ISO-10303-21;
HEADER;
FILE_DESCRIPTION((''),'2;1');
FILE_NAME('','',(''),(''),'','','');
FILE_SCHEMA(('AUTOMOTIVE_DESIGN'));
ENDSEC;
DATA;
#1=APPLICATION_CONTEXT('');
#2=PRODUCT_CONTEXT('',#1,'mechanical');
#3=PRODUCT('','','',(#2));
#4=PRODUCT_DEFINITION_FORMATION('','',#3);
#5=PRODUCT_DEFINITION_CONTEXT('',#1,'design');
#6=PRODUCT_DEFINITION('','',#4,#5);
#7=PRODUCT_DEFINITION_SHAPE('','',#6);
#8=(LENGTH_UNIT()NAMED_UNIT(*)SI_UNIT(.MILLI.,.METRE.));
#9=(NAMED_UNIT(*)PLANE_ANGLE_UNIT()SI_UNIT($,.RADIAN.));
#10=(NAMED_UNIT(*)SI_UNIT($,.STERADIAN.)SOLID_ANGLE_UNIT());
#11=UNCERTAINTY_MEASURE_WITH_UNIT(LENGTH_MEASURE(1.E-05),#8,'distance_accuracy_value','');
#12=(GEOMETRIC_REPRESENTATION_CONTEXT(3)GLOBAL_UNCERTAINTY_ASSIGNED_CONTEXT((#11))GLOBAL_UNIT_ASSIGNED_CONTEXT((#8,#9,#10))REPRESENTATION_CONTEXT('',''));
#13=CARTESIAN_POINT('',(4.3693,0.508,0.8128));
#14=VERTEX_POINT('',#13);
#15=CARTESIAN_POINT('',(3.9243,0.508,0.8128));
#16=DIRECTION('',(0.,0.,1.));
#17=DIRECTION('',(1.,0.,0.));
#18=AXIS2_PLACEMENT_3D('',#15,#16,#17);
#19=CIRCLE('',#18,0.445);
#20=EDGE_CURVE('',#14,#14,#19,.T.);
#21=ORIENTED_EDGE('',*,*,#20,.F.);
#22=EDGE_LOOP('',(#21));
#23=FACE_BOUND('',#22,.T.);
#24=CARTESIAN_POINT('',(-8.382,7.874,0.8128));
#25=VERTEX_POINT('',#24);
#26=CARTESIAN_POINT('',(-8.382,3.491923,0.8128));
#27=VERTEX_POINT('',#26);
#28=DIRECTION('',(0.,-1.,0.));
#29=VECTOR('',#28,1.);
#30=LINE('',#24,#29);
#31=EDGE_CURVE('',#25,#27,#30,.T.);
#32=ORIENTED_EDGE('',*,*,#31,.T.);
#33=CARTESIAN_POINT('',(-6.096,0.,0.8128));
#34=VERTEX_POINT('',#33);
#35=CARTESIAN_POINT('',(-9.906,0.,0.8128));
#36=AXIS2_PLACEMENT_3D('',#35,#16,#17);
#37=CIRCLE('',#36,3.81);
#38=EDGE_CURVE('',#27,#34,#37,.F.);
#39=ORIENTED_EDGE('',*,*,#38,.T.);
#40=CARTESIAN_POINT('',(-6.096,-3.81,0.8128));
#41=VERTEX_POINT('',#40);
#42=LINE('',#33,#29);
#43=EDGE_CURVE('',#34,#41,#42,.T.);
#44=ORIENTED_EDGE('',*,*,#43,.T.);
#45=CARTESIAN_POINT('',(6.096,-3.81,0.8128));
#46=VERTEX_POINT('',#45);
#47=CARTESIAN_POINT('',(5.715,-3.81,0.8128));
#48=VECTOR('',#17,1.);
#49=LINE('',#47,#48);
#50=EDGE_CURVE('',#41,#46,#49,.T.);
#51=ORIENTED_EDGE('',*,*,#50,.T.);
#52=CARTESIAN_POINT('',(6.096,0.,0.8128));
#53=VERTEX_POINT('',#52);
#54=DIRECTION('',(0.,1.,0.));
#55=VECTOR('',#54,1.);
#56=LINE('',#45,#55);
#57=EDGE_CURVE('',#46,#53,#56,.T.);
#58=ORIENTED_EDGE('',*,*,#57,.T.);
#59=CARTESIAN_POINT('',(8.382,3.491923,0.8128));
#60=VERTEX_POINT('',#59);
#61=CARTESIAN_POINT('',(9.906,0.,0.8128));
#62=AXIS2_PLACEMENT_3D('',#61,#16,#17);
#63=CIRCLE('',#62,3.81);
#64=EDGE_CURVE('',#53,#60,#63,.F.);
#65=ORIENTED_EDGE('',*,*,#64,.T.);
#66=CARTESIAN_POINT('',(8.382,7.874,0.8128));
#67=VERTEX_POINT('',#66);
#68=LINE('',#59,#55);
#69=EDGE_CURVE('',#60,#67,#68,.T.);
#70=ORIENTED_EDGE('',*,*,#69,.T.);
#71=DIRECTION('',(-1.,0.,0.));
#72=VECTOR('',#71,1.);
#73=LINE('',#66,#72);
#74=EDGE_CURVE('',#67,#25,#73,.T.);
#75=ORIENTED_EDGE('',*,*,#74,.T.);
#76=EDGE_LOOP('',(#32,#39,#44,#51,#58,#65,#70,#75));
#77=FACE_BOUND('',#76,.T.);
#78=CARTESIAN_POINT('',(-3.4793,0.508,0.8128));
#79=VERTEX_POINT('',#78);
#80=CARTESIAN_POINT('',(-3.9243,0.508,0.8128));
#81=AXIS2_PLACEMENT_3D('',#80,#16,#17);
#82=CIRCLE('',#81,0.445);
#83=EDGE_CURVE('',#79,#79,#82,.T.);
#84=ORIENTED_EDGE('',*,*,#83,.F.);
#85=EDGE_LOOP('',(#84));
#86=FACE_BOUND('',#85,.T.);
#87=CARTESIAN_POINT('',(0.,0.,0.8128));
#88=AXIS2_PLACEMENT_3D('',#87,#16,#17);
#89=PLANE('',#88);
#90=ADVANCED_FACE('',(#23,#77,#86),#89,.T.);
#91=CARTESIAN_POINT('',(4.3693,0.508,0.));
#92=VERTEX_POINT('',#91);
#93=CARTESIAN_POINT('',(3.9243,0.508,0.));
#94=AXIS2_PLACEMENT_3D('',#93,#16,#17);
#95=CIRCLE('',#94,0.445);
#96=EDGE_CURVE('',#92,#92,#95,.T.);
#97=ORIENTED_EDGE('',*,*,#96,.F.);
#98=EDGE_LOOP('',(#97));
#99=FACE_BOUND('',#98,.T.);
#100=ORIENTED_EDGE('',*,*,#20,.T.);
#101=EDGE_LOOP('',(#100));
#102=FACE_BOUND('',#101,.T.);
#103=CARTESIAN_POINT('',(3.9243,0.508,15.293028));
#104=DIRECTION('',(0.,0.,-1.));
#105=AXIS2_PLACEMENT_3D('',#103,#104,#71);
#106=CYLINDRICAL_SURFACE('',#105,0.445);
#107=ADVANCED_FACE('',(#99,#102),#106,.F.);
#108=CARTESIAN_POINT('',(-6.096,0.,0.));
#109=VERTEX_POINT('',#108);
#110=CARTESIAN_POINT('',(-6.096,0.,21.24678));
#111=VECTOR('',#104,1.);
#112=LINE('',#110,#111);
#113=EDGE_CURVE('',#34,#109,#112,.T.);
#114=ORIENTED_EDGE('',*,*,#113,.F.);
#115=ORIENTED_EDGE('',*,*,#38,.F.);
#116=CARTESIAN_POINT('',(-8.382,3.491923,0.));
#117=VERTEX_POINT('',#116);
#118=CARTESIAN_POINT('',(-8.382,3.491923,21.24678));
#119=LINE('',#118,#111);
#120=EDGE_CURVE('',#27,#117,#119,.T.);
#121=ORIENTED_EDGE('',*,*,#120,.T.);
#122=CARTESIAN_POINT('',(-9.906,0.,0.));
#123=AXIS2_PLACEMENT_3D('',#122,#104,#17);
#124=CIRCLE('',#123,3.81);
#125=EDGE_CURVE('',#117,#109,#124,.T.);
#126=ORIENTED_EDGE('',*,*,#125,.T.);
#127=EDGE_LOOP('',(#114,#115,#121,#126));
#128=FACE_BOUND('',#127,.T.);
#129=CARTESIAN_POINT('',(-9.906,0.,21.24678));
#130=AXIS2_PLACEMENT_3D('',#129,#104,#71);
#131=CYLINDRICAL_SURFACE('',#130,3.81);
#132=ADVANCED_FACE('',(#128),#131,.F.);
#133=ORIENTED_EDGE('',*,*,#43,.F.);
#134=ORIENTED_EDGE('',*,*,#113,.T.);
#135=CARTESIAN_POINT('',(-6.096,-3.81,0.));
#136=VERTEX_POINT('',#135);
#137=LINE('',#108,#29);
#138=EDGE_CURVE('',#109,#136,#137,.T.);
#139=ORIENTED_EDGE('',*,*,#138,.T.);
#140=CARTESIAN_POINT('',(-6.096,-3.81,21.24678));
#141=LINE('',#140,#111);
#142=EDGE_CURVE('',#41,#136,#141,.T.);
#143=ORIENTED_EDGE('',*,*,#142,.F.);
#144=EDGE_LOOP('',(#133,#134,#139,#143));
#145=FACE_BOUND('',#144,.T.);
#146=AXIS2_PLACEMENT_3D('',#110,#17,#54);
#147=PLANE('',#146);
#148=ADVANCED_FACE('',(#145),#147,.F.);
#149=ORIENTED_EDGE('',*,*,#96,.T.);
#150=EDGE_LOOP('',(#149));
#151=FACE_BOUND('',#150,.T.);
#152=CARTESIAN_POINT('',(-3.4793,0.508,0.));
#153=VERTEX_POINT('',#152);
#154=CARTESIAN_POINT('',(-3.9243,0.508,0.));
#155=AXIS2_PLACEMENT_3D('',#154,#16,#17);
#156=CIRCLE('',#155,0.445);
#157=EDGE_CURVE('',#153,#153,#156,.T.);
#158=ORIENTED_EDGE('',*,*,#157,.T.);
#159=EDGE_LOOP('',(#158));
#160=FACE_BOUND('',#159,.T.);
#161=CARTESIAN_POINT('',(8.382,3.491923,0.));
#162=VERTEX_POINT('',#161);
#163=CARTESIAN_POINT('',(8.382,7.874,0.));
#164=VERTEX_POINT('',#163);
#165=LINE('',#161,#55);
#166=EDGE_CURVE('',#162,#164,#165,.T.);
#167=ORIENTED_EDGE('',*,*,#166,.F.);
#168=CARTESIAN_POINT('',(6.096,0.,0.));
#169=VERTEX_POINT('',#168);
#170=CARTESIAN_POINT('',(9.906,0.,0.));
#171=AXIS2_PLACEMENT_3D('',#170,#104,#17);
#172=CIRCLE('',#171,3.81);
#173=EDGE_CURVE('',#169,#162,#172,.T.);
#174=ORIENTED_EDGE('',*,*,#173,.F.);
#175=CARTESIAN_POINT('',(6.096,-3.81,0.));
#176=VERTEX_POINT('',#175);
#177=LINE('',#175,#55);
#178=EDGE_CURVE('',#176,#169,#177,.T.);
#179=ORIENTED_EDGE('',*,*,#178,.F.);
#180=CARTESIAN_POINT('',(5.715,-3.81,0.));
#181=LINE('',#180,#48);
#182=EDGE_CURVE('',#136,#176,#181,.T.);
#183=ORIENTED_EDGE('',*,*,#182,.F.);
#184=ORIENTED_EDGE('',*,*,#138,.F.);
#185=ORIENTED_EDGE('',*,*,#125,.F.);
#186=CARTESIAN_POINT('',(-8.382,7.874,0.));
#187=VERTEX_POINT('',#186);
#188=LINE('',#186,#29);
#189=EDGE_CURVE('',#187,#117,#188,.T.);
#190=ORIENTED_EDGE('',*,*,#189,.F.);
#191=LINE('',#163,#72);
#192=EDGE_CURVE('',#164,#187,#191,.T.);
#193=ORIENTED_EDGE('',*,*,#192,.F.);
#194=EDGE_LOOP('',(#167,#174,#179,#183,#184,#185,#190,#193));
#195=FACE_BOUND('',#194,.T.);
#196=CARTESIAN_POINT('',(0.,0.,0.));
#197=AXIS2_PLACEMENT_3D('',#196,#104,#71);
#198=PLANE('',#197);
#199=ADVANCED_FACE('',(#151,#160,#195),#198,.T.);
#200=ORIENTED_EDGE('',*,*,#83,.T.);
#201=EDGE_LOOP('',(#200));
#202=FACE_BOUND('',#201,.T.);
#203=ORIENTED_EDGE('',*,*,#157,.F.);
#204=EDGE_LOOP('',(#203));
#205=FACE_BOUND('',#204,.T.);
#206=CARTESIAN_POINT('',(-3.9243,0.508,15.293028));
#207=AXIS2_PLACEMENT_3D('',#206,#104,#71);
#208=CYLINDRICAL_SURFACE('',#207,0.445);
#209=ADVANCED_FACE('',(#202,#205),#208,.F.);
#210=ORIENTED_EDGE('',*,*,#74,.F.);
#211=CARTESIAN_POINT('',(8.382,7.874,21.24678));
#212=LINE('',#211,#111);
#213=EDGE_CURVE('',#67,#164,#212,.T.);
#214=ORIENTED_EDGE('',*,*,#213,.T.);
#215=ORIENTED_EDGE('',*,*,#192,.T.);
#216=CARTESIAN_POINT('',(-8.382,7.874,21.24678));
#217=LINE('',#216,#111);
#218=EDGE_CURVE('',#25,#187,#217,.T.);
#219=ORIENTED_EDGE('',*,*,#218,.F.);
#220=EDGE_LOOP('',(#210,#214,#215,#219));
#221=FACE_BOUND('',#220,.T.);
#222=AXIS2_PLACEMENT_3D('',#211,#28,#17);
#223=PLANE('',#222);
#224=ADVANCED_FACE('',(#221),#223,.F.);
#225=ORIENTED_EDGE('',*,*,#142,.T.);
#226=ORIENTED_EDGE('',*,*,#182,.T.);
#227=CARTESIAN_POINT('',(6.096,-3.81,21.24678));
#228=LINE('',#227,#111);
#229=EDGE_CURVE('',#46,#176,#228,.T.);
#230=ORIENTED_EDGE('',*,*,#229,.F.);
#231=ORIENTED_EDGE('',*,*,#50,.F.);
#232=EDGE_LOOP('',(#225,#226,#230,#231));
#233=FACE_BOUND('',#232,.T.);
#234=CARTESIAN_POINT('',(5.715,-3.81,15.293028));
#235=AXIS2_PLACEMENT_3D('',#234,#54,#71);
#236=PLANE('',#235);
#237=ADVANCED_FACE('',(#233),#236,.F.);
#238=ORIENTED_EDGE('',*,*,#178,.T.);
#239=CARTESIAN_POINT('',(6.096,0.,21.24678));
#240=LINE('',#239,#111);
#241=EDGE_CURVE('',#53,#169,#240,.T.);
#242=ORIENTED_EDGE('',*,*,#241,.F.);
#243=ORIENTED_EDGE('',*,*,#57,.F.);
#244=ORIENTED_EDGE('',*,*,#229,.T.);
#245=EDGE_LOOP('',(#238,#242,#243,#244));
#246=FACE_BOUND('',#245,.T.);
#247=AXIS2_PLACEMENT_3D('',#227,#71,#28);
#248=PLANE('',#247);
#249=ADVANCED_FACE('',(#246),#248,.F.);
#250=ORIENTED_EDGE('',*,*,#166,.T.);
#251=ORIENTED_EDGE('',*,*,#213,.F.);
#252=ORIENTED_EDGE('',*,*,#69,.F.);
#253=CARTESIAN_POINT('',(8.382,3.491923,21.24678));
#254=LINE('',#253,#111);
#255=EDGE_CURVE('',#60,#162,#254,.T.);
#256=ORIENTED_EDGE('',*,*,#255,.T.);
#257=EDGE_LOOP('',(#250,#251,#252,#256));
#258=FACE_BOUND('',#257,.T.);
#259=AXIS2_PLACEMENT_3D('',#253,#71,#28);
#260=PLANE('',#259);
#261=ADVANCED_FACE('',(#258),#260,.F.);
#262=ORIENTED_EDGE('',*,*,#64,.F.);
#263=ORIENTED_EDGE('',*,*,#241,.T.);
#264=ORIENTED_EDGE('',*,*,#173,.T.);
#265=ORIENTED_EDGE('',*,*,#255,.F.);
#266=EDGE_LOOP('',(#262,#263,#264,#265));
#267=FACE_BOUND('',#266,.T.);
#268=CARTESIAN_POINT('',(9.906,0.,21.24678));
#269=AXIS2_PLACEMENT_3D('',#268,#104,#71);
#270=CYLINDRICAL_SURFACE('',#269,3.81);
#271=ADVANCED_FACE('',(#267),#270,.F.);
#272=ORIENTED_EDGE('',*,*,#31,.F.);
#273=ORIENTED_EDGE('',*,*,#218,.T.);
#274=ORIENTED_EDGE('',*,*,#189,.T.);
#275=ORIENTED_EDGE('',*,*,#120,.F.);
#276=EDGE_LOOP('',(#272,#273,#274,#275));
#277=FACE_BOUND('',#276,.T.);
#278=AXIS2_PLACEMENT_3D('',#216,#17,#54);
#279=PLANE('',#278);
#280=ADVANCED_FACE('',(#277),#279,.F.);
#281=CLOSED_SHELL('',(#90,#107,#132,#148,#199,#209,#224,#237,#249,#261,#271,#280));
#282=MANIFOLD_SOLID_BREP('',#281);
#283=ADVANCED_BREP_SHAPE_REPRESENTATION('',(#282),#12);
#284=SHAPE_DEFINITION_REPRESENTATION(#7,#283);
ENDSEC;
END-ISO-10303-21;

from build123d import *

# Parameters (mm, degrees)
SKETCH2_W           = 11.43
SKETCH2_H           = 8.89
SKETCH2_R           = 0.445
BOSS_EXTRUDE1_DEPTH = 0.8128
SKETCH4_R           = 0.445
BOSS_EXTRUDE2_DEPTH = 0.8128


with BuildPart() as part:
    # Sketch2 → Boss-Extrude1 (new body)
    with BuildSketch(Plane.XY):
        with Locations((0, 0.635)):
            Rectangle(SKETCH2_W, SKETCH2_H)
        with Locations((-3.9243, 0.508)):
            Circle(SKETCH2_R, mode=Mode.SUBTRACT)
        with Locations((3.9243, 0.508)):
            Circle(SKETCH2_R, mode=Mode.SUBTRACT)
    extrude(amount=BOSS_EXTRUDE1_DEPTH)

    # Sketch4 → Boss-Extrude2 (add)
    with BuildSketch(Plane.XY):
        with BuildLine():
            Line((8.382, 7.874), (-8.382, 7.874))
            Line((-8.382, 7.874), (-8.382, 3.49192268))
            ThreePointArc((-8.382, 3.49192268), (-6.718325299, 2.086822944), (-6.096, 0))
            Line((-6.096, 0), (-6.096, -3.81))
            Line((-6.096, -3.81), (6.096, -3.81))
            Line((6.096, -3.81), (6.096, 0))
            ThreePointArc((6.096, 0), (6.718325299, 2.086822944), (8.382, 3.49192268))
            Line((8.382, 3.49192268), (8.382, 7.874))
        make_face()
        with Locations((-3.9243, 0.508)):
            Circle(SKETCH4_R, mode=Mode.SUBTRACT)
        with Locations((3.9243, 0.508)):
            Circle(SKETCH4_R, mode=Mode.SUBTRACT)
    extrude(amount=BOSS_EXTRUDE2_DEPTH)


solid = part.part
